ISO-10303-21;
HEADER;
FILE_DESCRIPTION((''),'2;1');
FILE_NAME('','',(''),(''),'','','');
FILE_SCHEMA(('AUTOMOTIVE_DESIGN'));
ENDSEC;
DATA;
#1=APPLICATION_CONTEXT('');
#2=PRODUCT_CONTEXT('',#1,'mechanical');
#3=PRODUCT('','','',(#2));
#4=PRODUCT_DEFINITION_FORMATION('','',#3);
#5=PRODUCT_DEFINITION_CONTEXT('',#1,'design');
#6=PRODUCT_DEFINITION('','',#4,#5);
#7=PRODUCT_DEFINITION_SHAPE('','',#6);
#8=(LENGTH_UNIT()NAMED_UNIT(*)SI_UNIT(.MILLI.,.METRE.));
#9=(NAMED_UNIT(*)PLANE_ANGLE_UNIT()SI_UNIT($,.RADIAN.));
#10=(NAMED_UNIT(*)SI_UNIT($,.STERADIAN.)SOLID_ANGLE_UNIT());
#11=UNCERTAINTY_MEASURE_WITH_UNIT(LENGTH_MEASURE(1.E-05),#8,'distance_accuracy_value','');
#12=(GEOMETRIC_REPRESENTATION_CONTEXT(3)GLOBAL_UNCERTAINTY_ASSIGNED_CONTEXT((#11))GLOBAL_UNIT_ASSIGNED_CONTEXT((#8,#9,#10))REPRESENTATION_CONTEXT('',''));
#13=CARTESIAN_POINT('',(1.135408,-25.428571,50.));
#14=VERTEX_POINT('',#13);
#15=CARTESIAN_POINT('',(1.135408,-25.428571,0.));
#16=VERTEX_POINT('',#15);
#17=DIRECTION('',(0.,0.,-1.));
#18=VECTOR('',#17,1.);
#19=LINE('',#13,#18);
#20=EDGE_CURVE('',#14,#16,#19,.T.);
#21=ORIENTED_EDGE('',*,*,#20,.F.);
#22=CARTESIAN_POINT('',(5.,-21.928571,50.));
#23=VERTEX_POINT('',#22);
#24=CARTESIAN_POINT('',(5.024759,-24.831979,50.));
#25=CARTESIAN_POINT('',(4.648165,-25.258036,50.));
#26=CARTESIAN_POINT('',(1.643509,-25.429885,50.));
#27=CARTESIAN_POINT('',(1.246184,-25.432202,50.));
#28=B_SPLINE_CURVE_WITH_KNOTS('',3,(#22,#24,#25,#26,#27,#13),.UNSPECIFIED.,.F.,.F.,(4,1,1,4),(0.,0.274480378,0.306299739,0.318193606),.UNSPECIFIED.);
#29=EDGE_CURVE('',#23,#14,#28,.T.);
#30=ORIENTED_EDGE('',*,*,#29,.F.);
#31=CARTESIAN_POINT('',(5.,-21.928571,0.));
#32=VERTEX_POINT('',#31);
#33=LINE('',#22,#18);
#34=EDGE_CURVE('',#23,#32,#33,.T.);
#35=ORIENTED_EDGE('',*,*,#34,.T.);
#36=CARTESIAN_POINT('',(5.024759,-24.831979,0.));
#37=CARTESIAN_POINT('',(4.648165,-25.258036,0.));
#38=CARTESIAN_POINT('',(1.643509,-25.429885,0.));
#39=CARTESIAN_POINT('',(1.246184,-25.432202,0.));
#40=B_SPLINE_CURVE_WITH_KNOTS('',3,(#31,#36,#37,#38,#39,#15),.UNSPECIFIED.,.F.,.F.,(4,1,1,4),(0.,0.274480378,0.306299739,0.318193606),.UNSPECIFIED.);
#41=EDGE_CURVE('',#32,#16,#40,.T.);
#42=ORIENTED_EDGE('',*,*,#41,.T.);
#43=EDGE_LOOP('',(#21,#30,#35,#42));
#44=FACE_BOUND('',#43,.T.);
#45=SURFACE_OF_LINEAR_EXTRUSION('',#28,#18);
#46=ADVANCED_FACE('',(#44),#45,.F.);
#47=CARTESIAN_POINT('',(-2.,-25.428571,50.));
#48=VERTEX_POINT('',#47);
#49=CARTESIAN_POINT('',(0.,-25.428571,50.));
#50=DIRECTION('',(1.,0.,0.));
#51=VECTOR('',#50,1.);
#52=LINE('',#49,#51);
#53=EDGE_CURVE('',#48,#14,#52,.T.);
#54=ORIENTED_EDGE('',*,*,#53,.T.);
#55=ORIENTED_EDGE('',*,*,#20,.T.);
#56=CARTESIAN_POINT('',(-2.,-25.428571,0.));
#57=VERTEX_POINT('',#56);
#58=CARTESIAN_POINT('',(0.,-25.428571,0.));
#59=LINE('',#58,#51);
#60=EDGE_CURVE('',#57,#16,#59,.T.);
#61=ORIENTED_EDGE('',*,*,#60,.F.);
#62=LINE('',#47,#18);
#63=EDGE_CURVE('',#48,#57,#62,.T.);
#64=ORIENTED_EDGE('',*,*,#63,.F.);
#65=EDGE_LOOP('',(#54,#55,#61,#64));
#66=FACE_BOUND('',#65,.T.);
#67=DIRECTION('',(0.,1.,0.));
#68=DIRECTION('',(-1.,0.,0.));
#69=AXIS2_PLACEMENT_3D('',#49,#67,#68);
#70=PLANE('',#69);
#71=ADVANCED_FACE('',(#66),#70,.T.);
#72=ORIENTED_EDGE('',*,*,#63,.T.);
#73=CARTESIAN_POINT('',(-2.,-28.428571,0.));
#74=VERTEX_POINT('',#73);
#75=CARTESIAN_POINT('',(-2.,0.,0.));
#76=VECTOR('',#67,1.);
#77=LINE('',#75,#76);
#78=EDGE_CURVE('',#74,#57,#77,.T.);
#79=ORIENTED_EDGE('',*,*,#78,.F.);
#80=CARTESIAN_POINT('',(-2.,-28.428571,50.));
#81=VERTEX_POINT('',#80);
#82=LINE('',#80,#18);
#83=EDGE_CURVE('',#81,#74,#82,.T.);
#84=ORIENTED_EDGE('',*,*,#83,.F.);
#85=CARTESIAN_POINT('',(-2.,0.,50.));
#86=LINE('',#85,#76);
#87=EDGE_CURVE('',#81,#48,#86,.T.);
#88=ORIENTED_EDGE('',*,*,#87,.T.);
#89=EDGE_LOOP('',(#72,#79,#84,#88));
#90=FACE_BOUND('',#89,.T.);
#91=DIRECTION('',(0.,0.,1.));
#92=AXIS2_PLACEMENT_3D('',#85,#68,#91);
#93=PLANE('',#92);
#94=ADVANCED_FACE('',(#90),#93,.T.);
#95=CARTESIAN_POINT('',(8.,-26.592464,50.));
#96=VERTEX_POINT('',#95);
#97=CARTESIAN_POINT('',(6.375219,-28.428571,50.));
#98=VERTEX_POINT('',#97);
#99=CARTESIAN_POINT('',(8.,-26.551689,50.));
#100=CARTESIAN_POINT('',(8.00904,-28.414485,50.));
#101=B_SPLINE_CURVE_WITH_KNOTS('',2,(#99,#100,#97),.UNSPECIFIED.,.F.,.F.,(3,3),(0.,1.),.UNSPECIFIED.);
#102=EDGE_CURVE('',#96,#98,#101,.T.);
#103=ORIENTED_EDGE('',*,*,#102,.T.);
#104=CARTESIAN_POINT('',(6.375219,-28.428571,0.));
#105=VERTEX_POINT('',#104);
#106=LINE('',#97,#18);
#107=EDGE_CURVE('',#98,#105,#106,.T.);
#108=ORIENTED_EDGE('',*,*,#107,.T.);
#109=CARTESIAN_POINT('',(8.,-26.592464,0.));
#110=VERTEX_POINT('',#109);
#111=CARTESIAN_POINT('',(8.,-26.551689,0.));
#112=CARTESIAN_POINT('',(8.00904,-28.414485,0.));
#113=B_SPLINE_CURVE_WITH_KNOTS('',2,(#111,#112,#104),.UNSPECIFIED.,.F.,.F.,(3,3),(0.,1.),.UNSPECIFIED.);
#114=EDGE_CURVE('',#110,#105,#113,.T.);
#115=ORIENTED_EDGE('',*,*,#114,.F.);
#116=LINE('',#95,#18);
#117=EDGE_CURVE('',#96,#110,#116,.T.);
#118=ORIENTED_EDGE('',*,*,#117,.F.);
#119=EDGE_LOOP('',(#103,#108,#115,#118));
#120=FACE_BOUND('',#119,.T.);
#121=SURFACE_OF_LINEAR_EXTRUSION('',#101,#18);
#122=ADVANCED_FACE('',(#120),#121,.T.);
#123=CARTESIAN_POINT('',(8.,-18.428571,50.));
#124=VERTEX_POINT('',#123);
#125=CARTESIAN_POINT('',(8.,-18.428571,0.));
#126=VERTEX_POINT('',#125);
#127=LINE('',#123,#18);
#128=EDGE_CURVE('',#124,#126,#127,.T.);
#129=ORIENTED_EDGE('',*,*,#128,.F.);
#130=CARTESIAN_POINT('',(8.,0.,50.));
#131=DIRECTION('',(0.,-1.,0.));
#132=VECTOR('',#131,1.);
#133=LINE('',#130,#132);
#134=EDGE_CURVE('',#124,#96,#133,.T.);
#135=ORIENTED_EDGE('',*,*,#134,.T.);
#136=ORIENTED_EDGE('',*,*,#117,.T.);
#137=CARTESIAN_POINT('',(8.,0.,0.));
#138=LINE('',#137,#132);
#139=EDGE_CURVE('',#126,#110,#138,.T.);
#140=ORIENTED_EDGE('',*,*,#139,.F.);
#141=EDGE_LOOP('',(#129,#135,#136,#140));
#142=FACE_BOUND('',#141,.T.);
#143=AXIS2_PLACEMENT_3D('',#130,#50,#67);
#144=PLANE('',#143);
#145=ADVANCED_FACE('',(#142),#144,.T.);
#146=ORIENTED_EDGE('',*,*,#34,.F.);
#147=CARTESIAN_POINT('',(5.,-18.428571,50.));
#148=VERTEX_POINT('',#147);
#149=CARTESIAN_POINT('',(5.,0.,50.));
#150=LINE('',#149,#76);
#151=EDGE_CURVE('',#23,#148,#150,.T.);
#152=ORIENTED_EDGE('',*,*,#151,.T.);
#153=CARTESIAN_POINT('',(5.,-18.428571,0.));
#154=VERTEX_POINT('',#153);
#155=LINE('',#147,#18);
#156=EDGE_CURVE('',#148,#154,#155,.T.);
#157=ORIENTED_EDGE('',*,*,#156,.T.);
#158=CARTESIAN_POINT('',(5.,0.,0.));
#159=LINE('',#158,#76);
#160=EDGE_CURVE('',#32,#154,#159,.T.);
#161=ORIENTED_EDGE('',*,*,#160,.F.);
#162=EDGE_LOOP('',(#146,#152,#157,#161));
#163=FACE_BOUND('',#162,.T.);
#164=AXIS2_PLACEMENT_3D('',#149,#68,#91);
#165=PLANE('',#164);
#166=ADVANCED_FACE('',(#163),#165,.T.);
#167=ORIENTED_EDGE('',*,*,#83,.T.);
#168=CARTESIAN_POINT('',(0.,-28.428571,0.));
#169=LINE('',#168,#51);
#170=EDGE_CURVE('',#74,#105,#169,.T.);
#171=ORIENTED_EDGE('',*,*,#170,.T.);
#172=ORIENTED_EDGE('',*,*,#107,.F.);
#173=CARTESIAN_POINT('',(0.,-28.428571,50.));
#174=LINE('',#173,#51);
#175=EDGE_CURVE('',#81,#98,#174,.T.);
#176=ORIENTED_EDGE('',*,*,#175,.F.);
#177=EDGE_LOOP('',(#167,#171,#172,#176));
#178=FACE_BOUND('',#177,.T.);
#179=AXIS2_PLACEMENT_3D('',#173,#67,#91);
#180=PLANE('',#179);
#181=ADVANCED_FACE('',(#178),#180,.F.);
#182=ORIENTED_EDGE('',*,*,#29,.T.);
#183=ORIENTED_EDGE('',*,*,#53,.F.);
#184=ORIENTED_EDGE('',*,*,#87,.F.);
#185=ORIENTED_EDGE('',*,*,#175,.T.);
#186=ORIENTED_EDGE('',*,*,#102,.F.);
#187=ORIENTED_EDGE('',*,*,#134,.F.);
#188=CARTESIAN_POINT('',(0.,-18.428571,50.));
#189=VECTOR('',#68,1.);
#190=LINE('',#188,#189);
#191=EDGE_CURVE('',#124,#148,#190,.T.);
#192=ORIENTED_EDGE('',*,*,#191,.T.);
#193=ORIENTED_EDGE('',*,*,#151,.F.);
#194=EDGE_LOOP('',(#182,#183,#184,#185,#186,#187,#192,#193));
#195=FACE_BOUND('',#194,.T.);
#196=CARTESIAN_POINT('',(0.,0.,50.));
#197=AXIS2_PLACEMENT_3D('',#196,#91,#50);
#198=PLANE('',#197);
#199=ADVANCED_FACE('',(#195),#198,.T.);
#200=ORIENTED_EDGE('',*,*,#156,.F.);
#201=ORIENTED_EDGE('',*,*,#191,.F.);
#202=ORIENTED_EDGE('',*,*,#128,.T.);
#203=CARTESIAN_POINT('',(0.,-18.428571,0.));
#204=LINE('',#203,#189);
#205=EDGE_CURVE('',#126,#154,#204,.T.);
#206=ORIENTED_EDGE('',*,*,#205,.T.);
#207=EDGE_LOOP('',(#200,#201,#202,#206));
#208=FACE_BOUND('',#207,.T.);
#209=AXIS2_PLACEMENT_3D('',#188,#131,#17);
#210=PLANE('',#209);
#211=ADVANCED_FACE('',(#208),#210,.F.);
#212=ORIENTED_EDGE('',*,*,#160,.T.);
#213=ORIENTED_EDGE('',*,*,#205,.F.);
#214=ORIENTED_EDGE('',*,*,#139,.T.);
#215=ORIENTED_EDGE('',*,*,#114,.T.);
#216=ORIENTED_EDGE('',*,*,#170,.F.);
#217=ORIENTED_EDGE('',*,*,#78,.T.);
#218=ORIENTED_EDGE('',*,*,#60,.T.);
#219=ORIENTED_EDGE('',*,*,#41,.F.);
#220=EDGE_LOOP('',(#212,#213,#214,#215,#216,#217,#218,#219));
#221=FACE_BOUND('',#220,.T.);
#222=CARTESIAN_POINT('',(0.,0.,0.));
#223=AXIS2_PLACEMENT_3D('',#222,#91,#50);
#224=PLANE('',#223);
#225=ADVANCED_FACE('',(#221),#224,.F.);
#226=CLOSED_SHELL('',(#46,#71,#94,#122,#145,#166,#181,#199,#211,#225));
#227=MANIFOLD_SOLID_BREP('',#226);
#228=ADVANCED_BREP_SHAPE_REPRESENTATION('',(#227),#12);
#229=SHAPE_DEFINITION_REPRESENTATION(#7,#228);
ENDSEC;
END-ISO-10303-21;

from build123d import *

# Parameters (mm, degrees)
BOSS_EXTRUDE1_DEPTH = 50


with BuildPart() as part:
    # Sketch1 → Boss-Extrude1 (new body)
    with BuildSketch(Plane.XY):
        with BuildLine():
            Line((8, -26.551688605), (8, -18.428571429))
            Line((8, -18.428571429), (5, -18.428571429))
            Line((5, -18.428571429), (5, -21.928571429))
            add(Edge.make_bspline(
                [(5, -21.928571429), (5.024758601, -24.831978652), (4.649789686, -25.256197355), (1.780732191, -25.422029081), (1.5, -25.428571429)],
                knots=[0, 0, 0, 0, 0.274480378, 0.304978198, 0.304978198, 0.304978198, 0.304978198], degree=3))
            add(Edge.make_bspline(
                [(1.5, -25.428571429), (1.487835227, -25.428854924), (1.366303422, -25.431501338), (1.24618398, -25.432201725), (1.135408239, -25.428571429)],
                knots=[0.304978198, 0.304978198, 0.304978198, 0.304978198, 0.306299739, 0.318193606, 0.318193606, 0.318193606, 0.318193606], degree=3))
            Line((1.135408239, -25.428571429), (-2, -25.428571429))
            Line((-2, -25.428571429), (-2, -28.428571429))
            Line((-2, -28.428571429), (6.375219325, -28.428571429))
            add(Edge.make_bspline(
                [(8.000000018, -26.592463548), (7.991060741, -28.414640159), (6.375219325, -28.428571429)],
                knots=[0.011004644, 0.011004644, 0.011004644, 1, 1, 1], degree=2))
            Line((8, -26.592463548), (8, -26.551688605))
        make_face()
    extrude(amount=BOSS_EXTRUDE1_DEPTH)


solid = part.part
